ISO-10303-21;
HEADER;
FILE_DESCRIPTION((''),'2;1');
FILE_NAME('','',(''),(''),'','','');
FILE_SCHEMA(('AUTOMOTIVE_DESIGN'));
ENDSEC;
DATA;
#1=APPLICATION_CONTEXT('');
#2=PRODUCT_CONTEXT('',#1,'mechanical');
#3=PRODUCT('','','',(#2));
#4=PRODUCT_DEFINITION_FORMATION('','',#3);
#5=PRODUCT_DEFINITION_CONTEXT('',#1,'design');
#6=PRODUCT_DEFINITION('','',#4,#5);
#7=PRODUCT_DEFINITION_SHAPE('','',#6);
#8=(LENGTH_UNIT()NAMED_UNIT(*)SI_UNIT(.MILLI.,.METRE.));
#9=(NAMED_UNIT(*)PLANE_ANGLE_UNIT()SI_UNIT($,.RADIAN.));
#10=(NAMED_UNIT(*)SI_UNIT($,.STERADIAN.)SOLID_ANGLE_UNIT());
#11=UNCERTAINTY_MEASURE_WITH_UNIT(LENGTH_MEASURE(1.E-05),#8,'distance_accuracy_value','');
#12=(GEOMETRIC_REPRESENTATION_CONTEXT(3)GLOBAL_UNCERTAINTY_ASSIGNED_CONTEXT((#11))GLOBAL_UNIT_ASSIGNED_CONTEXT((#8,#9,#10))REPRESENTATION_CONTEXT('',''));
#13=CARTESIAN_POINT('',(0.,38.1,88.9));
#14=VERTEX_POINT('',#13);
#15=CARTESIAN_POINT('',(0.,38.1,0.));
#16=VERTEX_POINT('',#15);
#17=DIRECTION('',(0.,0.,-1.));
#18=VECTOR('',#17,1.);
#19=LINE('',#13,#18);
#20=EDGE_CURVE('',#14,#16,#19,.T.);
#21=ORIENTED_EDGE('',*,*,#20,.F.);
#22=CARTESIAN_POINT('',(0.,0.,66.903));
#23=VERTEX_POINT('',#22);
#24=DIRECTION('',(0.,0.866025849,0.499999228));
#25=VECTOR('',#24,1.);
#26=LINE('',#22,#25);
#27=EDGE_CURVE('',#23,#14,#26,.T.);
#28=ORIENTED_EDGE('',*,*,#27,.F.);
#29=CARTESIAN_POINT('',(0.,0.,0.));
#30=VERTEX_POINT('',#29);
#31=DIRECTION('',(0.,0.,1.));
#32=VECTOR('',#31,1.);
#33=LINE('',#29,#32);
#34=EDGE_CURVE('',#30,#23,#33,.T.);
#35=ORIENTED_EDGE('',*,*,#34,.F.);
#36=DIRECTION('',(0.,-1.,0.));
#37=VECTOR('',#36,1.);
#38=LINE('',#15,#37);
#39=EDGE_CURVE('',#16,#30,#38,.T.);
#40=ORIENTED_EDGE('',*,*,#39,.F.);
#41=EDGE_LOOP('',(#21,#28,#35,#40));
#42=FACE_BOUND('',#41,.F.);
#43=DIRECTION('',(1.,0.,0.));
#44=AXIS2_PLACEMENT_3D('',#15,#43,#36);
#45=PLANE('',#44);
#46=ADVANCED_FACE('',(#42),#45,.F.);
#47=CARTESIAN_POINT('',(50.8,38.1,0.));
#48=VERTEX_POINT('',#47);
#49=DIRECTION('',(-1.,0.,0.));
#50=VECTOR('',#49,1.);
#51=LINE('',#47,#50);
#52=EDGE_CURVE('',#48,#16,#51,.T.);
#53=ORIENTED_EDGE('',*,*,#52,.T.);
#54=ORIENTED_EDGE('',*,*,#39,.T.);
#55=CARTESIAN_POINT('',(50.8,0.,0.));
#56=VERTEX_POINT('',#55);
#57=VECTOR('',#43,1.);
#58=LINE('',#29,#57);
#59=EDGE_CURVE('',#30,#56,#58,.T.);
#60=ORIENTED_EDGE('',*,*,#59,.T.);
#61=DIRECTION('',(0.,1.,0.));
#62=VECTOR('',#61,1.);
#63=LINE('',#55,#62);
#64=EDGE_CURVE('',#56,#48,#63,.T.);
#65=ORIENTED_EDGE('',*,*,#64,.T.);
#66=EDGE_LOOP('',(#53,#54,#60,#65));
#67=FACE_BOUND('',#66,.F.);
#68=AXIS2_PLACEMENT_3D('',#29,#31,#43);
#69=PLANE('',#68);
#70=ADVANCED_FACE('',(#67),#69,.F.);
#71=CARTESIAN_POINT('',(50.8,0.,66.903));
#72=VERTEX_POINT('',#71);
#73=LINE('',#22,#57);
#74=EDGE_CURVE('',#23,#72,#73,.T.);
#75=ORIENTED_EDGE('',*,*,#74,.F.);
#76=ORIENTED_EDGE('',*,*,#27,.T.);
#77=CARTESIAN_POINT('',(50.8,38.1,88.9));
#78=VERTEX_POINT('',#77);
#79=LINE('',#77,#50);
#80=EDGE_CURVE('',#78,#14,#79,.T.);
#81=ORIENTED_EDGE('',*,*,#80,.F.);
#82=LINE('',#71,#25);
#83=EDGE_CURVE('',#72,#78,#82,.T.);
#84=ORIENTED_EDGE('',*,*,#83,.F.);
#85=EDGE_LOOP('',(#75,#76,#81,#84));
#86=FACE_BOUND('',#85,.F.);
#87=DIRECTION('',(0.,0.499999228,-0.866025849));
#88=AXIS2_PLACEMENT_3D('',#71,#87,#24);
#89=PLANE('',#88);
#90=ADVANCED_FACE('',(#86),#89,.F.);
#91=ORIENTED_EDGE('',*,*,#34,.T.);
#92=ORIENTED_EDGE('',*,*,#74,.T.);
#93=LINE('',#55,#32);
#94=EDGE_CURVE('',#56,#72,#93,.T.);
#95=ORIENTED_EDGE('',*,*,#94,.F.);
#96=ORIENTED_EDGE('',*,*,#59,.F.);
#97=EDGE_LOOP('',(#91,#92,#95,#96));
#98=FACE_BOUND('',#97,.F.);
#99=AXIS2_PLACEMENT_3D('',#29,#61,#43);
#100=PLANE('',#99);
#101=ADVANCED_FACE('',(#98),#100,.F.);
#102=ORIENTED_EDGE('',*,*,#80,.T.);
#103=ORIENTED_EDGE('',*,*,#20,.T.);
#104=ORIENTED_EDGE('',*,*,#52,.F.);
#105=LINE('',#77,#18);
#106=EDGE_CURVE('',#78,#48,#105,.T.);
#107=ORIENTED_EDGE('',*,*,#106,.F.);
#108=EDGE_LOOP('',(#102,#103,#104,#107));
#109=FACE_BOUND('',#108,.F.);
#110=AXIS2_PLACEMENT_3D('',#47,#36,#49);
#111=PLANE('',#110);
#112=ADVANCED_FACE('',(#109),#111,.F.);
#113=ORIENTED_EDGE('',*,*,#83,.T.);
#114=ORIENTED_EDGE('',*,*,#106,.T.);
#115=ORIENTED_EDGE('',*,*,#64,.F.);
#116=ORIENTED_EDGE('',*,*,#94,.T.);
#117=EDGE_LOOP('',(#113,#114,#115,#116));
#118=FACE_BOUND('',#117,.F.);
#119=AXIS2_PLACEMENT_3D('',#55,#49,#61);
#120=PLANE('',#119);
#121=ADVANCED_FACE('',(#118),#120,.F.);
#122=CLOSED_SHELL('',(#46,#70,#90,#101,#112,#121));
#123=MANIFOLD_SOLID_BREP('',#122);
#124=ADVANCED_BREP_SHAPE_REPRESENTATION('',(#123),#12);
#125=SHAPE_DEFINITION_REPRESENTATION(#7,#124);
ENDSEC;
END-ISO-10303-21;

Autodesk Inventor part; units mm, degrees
ref_plane "YZ Plane" through (0, 0, 0) normal (1, 0, 0) x (0, 1, 0)
ref_plane "XZ Plane" through (0, 0, 0) normal (0, 1, 0) x (-1, 0, 0)
ref_plane "XY Plane" through (0, 0, 0) normal (0, 0, 1) x (1, 0, 0)
sketch "Sketch1" plane through (0, 0, 0) normal (0, 0, 1) x (1, 0, 0)
  line L0 (0, 0) -> (50.8, 0)
  line L1 (50.8, 0) -> (50.8, 38.1)
  line L2 (50.8, 38.1) -> (0, 38.1)
  line L3 (0, 38.1) -> (0, 0)
  dimension "d0" = 50.8
  dimension "d1" = 38.1
extrude "Extrusion1" add sketch "Sketch1" along normal blind 66.903
sketch "Sketch2" plane through (50.8, 0, 0) normal (1, 0, 0) x (0, 0, -1)
  line L0 (-66.903, 0) -> (-88.9, 38.1)
  line L1 (-66.903, 0) -> (-66.903, 38.1) projected
  line L2 (-88.9, 38.1) -> (-66.903, 38.1)
  point P0 (0, 0)
  dimension "d4" = 30
extrude "Extrusion2" add sketch "Sketch2" against normal blind 50.8
properties part number "BA02" material "Wood (Oak)"
